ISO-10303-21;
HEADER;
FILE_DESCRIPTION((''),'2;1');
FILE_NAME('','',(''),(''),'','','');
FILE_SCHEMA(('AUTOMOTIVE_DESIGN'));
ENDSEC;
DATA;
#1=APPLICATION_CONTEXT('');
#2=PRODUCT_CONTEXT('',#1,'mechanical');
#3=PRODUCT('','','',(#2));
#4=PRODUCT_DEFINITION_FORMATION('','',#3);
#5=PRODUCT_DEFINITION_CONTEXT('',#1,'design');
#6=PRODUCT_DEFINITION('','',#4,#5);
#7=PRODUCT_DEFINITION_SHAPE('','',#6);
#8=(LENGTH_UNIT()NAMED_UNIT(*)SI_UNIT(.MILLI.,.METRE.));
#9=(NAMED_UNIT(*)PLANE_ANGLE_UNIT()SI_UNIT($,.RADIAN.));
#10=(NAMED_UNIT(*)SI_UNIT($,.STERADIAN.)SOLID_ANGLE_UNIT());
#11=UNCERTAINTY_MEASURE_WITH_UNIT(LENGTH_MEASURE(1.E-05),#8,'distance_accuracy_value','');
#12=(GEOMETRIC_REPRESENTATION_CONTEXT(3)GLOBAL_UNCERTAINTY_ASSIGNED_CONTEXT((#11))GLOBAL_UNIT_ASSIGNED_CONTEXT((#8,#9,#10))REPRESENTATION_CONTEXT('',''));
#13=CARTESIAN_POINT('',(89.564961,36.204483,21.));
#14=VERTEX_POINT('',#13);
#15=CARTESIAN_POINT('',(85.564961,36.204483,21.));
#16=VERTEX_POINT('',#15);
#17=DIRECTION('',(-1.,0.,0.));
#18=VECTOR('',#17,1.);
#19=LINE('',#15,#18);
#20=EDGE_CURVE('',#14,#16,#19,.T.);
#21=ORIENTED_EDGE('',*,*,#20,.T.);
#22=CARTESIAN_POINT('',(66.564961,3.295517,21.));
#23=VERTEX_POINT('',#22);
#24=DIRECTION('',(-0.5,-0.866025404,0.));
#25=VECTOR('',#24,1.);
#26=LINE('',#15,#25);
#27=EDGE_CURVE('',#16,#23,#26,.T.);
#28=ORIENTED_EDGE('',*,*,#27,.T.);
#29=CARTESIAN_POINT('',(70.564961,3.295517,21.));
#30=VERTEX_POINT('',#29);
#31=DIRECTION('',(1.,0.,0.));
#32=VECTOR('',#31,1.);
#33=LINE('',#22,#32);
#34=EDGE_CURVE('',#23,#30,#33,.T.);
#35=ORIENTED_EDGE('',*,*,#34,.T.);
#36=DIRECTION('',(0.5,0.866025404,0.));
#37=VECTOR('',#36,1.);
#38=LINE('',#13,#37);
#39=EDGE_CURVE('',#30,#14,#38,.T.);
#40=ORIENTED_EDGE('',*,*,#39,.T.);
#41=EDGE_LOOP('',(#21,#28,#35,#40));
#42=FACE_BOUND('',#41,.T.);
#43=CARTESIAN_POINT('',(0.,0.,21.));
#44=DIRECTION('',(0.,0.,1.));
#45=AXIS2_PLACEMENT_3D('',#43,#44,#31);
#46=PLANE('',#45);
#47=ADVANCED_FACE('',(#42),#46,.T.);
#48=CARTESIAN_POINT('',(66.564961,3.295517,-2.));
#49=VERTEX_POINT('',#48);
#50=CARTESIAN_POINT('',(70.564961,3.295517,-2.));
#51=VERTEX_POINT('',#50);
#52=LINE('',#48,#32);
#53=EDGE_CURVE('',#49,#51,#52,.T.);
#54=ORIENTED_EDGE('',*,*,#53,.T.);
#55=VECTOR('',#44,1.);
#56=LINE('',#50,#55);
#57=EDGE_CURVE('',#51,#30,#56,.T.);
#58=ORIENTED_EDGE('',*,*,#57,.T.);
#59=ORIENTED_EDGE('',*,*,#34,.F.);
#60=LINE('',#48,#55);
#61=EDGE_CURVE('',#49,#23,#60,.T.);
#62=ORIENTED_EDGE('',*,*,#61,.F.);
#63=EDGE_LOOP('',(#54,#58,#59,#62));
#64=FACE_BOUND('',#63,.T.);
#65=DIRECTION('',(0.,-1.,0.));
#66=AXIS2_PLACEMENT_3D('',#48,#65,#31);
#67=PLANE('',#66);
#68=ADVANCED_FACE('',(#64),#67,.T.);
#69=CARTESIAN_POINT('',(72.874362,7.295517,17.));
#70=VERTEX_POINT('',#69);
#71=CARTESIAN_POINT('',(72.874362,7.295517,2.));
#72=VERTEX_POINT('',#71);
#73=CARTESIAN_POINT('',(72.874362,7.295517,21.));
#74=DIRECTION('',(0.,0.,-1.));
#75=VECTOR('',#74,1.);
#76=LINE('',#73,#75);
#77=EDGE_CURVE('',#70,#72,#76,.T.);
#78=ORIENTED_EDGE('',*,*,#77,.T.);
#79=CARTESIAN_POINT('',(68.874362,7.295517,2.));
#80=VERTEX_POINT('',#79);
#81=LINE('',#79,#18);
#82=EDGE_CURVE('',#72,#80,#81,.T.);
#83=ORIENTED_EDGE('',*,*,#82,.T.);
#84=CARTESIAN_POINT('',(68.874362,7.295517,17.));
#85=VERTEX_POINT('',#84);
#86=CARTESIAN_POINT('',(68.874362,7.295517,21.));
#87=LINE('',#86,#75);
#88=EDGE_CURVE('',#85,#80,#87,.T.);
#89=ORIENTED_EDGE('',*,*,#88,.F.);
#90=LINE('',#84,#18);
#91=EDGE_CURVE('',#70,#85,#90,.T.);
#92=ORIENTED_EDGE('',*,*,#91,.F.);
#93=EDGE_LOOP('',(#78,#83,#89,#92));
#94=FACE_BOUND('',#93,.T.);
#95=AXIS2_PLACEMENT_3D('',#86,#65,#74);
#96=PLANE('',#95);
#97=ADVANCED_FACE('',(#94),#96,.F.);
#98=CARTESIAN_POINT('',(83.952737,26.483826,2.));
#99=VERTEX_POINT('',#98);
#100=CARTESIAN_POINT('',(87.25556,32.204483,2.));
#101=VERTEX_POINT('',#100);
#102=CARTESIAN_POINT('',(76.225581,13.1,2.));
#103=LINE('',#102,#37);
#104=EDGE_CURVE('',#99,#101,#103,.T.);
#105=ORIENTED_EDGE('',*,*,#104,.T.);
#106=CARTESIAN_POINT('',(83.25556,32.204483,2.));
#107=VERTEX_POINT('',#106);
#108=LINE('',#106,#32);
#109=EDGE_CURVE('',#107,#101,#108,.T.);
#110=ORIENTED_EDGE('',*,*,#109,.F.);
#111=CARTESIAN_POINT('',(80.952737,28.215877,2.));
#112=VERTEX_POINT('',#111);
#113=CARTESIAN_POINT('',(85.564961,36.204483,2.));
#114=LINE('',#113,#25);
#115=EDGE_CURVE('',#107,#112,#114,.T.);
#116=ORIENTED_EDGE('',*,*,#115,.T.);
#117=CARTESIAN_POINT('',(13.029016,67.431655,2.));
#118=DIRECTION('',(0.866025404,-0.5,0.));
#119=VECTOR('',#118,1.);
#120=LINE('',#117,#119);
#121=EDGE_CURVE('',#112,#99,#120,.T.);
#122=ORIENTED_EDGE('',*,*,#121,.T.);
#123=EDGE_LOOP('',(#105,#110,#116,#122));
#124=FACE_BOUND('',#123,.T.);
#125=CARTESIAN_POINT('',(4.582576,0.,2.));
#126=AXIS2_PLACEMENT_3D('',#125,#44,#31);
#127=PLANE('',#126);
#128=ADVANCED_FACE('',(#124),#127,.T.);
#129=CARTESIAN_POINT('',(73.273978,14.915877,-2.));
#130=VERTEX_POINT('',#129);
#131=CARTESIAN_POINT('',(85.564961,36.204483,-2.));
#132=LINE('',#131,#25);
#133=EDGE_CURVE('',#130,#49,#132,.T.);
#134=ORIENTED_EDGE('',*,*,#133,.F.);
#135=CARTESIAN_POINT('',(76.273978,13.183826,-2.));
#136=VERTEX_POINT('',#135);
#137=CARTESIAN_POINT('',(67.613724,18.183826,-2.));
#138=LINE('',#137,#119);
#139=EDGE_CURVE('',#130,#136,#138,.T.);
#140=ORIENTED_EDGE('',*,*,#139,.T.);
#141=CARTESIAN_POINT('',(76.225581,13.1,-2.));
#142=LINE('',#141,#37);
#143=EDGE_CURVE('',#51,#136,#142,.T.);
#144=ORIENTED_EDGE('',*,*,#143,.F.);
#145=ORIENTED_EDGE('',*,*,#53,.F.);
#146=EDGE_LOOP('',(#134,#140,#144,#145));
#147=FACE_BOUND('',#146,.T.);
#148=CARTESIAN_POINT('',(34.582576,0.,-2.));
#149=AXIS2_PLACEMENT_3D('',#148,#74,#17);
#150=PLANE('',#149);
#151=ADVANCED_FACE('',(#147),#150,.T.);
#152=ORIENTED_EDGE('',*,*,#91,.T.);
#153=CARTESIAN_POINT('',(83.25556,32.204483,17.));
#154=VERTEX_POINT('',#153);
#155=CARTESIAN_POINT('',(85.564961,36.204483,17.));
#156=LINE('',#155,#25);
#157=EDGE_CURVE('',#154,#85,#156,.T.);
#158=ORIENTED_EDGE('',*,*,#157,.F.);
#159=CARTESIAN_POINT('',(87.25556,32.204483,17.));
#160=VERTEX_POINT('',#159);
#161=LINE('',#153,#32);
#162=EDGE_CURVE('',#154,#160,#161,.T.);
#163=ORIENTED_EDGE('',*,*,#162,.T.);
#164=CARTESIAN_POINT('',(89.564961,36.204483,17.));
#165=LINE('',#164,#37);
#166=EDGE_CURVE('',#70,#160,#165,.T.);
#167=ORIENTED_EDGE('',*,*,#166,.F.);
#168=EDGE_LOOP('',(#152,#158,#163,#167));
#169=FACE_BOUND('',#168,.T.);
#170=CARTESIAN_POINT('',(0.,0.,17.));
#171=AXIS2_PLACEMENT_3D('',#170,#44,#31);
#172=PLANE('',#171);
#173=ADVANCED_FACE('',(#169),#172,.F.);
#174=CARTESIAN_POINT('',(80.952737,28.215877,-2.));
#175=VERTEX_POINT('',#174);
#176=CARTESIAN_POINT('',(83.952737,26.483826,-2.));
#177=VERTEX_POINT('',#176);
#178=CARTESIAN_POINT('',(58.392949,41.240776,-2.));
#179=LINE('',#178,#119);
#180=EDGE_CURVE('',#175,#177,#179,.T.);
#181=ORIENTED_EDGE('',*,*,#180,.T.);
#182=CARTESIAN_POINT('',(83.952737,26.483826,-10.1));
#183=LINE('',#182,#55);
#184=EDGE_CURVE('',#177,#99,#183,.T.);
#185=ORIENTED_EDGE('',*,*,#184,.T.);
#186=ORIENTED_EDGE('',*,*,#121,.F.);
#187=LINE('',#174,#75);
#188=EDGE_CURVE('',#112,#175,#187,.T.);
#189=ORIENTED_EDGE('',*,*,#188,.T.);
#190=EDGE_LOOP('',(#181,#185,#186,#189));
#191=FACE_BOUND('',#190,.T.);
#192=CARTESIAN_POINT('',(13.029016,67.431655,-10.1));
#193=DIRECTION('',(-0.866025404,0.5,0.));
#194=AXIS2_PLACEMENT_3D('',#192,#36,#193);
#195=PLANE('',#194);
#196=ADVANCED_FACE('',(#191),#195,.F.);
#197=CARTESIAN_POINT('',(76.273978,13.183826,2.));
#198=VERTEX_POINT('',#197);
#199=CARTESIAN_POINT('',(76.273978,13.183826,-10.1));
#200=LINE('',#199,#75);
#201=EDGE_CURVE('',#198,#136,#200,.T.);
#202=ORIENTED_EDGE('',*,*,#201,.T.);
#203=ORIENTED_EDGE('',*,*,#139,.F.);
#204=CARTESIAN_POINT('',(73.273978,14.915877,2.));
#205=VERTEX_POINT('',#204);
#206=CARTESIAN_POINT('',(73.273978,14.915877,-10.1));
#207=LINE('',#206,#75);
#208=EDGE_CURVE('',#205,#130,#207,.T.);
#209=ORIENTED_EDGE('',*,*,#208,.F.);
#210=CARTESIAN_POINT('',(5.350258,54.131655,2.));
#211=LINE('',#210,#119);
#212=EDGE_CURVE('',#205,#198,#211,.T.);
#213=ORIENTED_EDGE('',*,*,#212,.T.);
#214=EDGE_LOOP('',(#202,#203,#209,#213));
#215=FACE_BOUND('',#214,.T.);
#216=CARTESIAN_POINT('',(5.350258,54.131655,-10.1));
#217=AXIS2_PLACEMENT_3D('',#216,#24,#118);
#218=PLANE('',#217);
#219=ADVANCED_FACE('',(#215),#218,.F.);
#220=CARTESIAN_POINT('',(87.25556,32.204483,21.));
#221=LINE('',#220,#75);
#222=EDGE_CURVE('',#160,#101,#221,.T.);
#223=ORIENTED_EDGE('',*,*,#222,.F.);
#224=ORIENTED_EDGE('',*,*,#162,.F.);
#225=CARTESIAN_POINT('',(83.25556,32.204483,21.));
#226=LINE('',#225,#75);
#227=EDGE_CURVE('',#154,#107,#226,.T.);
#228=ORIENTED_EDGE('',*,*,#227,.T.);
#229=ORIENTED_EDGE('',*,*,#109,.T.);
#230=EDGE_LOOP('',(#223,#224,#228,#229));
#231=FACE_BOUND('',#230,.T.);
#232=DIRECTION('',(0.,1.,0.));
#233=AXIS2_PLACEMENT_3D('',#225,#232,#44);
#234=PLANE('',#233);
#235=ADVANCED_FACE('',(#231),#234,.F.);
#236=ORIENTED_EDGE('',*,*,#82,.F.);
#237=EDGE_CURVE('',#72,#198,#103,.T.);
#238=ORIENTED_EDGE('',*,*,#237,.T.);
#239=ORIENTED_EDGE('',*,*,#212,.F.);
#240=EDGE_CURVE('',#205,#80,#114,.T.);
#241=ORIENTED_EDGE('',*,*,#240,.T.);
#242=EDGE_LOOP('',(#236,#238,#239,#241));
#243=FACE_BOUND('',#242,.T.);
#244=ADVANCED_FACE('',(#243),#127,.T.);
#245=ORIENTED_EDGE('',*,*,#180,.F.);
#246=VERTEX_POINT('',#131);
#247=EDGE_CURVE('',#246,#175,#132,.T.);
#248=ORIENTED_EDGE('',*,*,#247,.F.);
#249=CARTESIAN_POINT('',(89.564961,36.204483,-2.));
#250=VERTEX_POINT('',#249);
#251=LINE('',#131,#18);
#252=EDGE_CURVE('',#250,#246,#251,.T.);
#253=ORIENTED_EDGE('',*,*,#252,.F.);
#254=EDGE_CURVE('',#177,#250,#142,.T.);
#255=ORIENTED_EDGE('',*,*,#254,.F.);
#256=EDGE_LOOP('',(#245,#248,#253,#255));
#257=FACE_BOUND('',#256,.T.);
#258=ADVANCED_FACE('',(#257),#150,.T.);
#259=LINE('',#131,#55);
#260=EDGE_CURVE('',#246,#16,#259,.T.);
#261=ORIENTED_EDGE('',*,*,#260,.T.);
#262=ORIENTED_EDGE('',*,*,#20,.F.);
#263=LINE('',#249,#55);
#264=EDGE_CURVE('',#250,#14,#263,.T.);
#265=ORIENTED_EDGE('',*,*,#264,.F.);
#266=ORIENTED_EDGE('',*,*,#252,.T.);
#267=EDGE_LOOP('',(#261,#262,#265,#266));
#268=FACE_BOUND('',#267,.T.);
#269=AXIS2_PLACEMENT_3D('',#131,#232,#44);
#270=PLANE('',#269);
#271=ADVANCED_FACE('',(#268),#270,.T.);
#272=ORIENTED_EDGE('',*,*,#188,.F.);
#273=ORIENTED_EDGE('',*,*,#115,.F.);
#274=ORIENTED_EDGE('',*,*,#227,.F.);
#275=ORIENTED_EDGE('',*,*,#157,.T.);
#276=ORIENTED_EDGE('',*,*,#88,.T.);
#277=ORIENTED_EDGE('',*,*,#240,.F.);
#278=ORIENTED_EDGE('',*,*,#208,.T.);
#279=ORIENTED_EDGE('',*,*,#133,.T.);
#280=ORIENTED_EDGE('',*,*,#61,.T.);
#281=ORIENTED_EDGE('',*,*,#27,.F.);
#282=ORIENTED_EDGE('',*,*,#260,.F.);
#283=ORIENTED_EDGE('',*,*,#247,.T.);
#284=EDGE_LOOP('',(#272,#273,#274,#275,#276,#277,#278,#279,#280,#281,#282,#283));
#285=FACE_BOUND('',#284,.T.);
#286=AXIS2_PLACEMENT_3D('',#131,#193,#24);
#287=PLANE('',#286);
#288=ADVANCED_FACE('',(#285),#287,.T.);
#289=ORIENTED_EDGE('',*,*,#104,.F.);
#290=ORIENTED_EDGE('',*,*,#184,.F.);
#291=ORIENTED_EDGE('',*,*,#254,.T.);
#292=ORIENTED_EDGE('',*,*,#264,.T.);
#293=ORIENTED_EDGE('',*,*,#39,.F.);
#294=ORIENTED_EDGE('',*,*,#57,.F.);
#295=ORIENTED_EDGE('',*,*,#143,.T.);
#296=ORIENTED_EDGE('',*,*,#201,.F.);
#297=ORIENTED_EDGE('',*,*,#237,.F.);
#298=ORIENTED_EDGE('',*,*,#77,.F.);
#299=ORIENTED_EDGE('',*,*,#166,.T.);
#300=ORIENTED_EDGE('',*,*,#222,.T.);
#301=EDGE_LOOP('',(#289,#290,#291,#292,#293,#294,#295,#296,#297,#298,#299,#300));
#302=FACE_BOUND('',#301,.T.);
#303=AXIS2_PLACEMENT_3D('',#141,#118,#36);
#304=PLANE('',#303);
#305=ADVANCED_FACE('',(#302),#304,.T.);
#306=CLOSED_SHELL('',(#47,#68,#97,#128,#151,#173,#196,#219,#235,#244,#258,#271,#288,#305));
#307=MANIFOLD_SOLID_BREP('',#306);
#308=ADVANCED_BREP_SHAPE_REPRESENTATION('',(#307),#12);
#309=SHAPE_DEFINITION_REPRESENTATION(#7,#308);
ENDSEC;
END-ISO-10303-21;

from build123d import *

# Parameters (mm, degrees)
SKETCH1_R           = 5
SKETCH1_R_2         = 3
BOSS_EXTRUDE1_DEPTH = 7
SKETCH2_R           = 3
BOSS_EXTRUDE2_DEPTH = 7
SKETCH3_W           = 16.288395929
SKETCH3_H           = 13.1
BOSS_EXTRUDE3_DEPTH = 4
SKETCH4_W           = 4.517614974
SKETCH4_H           = 7
CUT_EXTRUDE1_DEPTH  = 4
BOSS_EXTRUDE4_DEPTH = 4
BOSS_EXTRUDE5_DEPTH = 4
BOSS_EXTRUDE6_DEPTH = 19
BOSS_EXTRUDE7_DEPTH = 4
BOSS_EXTRUDE8_DEPTH = 8.1
SKETCH10_W          = 12.1
SKETCH10_H          = 15.357517161
CUT_EXTRUDE2_DEPTH  = 90.333377092
CUT_EXTRUDE3_DEPTH  = 87.16880235
SKETCH12_W          = 10.311784895
SKETCH12_H          = 4.86074743
CUT_EXTRUDE4_DEPTH  = 10


with BuildPart() as part:
    # Sketch1 → Boss-Extrude1 (new body)
    with BuildSketch(Plane(origin=(0, 0, 0), x_dir=(1, 0, 0), z_dir=(0, 1, 0))):
        with Locations(Location((0, 0, 0), (0, 0, 270))):
            Circle(SKETCH1_R)
        with Locations(Location((0, 0, 0), (0, 0, 270))):
            Circle(SKETCH1_R_2, mode=Mode.SUBTRACT)
    extrude(amount=BOSS_EXTRUDE1_DEPTH)

    # Sketch2 → Boss-Extrude2 (add, through all)
    with BuildSketch(Plane(origin=(0, 7, 0), x_dir=(1, 0, 0), z_dir=(0, 1, 0))):
        with BuildLine():
            Line((4.582575695, -2), (34.582575695, -2))
            Line((34.582575695, -2), (34.582575695, 2))
            Line((34.582575695, 2), (4.582575695, 2))
            ThreePointArc((4.582575695, 2), (-5, 0), (4.582575695, -2))
        make_face()
        with Locations(Location((0, 0, 0), (0, 0, 270))):
            Circle(SKETCH2_R, mode=Mode.SUBTRACT)
    extrude(amount=-BOSS_EXTRUDE2_DEPTH)

    # Sketch3 → Boss-Extrude3 (add)
    with BuildSketch(Plane.XY.offset(2)):
        with Locations((21.920762757, 6.55)):
            Rectangle(SKETCH3_W, SKETCH3_H)
    extrude(amount=-BOSS_EXTRUDE3_DEPTH)

    # Sketch4 → Cut-Extrude1 (cut)
    with BuildSketch(Plane.XY.offset(2)):
        with Locations((32.323768208, 3.5)):
            Rectangle(SKETCH4_W, SKETCH4_H)
    extrude(amount=-CUT_EXTRUDE1_DEPTH, mode=Mode.SUBTRACT)

    # Sketch5 → Boss-Extrude4 (add)
    with BuildSketch(Plane.XY.offset(2)):
        Polygon((30.064960721, 13.1), (30.064960721, 0), (36.964960721, 0), (50.064960721, 13.1), (76.225581431, 13.1), (80.064960721, 19.75), (80.064960721, 26.4), (43.364960721, 26.4), align=None)
    extrude(amount=-BOSS_EXTRUDE4_DEPTH)

    # Sketch6 → Boss-Extrude5 (add)
    with BuildSketch(Plane.XY.offset(2)):
        Polygon((64.244452646, 36.204482672), (68.244452646, 36.204482672), (49.244452646, 3.295517328), (45.244452646, 3.295517328), align=None)
        Polygon((85.564960721, 36.204482672), (89.564960721, 36.204482672), (70.564960721, 3.295517328), (66.564960721, 3.295517328), align=None)
    extrude(amount=-BOSS_EXTRUDE5_DEPTH)

    # Sketch7 → Boss-Extrude6 (add)
    with BuildSketch(Plane.XY.offset(2)):
        Polygon((68.244452646, 36.204482672), (64.244452646, 36.204482672), (61.935051569, 32.204482672), (65.935051569, 32.204482672), align=None)
        Polygon((85.564960721, 36.204482672), (89.564960721, 36.204482672), (87.255559645, 32.204482672), (83.255559645, 32.204482672), align=None)
        Polygon((66.564960721, 3.295517328), (70.564960721, 3.295517328), (72.874361798, 7.295517328), (68.874361798, 7.295517328), align=None)
        Polygon((45.244452646, 3.295517328), (49.244452646, 3.295517328), (51.553853723, 7.295517328), (47.553853723, 7.295517328), align=None)
    extrude(amount=BOSS_EXTRUDE6_DEPTH)

    # Sketch8 → Boss-Extrude7 (add)
    with BuildSketch(Plane.XY.offset(21)):
        Polygon((64.244452646, 36.204482672), (68.244452646, 36.204482672), (49.244452646, 3.295517328), (45.244452646, 3.295517328), align=None)
        Polygon((85.564960721, 36.204482672), (89.564960721, 36.204482672), (70.564960721, 3.295517328), (66.564960721, 3.295517328), align=None)
    extrude(amount=-BOSS_EXTRUDE7_DEPTH)

    # Sketch9 → Boss-Extrude8 (add)
    with BuildSketch(Plane(origin=(0, 0, -2), x_dir=(-1, 0, 0), z_dir=(0, 0, -1))):
        Polygon((-54.905073356, 13.1), (-62.583831936, 26.4), (-83.95273694, 26.483825938), (-76.273978359, 13.183825938), align=None)
    extrude(amount=BOSS_EXTRUDE8_DEPTH)

    # Sketch10 → Cut-Extrude2 (cut, through all)
    with BuildSketch(Plane(origin=(51.496719679, -29.731644969, 0), x_dir=(0, 0, -1), z_dir=(0.8660254037844388, -0.49999999999999983, 0))):
        with Locations((4.05, 57.233275941)):
            Rectangle(SKETCH10_W, SKETCH10_H)
    extrude(amount=-CUT_EXTRUDE2_DEPTH, mode=Mode.SUBTRACT)

    # Sketch11 → Cut-Extrude3 (cut, through all)
    with BuildSketch(Plane(origin=(48.496719679, -27.999594161, 0), x_dir=(0, 0, 1), z_dir=(-0.8660254037844388, 0.49999999999999983, 0))):
        Polygon((-20.134561074, 86.736839969), (39.285177729, 86.736839969), (39.285177729, 23.813896611), (39.285177729, -9.631836795), (-20.134561074, -9.631836795), (-20.134561074, 23.813896611), align=None)
    extrude(amount=CUT_EXTRUDE3_DEPTH, mode=Mode.SUBTRACT)

    # Sketch12 → Cut-Extrude4 (cut)
    with BuildSketch(Plane(origin=(51.496719679, -29.731644969, 0), x_dir=(0, 0, -1), z_dir=(0.8660254037844388, -0.49999999999999983, 0))):
        with Locations((7.155892448, 47.124143646)):
            Rectangle(SKETCH12_W, SKETCH12_H)
    extrude(amount=-CUT_EXTRUDE4_DEPTH, mode=Mode.SUBTRACT)


solid = part.part
